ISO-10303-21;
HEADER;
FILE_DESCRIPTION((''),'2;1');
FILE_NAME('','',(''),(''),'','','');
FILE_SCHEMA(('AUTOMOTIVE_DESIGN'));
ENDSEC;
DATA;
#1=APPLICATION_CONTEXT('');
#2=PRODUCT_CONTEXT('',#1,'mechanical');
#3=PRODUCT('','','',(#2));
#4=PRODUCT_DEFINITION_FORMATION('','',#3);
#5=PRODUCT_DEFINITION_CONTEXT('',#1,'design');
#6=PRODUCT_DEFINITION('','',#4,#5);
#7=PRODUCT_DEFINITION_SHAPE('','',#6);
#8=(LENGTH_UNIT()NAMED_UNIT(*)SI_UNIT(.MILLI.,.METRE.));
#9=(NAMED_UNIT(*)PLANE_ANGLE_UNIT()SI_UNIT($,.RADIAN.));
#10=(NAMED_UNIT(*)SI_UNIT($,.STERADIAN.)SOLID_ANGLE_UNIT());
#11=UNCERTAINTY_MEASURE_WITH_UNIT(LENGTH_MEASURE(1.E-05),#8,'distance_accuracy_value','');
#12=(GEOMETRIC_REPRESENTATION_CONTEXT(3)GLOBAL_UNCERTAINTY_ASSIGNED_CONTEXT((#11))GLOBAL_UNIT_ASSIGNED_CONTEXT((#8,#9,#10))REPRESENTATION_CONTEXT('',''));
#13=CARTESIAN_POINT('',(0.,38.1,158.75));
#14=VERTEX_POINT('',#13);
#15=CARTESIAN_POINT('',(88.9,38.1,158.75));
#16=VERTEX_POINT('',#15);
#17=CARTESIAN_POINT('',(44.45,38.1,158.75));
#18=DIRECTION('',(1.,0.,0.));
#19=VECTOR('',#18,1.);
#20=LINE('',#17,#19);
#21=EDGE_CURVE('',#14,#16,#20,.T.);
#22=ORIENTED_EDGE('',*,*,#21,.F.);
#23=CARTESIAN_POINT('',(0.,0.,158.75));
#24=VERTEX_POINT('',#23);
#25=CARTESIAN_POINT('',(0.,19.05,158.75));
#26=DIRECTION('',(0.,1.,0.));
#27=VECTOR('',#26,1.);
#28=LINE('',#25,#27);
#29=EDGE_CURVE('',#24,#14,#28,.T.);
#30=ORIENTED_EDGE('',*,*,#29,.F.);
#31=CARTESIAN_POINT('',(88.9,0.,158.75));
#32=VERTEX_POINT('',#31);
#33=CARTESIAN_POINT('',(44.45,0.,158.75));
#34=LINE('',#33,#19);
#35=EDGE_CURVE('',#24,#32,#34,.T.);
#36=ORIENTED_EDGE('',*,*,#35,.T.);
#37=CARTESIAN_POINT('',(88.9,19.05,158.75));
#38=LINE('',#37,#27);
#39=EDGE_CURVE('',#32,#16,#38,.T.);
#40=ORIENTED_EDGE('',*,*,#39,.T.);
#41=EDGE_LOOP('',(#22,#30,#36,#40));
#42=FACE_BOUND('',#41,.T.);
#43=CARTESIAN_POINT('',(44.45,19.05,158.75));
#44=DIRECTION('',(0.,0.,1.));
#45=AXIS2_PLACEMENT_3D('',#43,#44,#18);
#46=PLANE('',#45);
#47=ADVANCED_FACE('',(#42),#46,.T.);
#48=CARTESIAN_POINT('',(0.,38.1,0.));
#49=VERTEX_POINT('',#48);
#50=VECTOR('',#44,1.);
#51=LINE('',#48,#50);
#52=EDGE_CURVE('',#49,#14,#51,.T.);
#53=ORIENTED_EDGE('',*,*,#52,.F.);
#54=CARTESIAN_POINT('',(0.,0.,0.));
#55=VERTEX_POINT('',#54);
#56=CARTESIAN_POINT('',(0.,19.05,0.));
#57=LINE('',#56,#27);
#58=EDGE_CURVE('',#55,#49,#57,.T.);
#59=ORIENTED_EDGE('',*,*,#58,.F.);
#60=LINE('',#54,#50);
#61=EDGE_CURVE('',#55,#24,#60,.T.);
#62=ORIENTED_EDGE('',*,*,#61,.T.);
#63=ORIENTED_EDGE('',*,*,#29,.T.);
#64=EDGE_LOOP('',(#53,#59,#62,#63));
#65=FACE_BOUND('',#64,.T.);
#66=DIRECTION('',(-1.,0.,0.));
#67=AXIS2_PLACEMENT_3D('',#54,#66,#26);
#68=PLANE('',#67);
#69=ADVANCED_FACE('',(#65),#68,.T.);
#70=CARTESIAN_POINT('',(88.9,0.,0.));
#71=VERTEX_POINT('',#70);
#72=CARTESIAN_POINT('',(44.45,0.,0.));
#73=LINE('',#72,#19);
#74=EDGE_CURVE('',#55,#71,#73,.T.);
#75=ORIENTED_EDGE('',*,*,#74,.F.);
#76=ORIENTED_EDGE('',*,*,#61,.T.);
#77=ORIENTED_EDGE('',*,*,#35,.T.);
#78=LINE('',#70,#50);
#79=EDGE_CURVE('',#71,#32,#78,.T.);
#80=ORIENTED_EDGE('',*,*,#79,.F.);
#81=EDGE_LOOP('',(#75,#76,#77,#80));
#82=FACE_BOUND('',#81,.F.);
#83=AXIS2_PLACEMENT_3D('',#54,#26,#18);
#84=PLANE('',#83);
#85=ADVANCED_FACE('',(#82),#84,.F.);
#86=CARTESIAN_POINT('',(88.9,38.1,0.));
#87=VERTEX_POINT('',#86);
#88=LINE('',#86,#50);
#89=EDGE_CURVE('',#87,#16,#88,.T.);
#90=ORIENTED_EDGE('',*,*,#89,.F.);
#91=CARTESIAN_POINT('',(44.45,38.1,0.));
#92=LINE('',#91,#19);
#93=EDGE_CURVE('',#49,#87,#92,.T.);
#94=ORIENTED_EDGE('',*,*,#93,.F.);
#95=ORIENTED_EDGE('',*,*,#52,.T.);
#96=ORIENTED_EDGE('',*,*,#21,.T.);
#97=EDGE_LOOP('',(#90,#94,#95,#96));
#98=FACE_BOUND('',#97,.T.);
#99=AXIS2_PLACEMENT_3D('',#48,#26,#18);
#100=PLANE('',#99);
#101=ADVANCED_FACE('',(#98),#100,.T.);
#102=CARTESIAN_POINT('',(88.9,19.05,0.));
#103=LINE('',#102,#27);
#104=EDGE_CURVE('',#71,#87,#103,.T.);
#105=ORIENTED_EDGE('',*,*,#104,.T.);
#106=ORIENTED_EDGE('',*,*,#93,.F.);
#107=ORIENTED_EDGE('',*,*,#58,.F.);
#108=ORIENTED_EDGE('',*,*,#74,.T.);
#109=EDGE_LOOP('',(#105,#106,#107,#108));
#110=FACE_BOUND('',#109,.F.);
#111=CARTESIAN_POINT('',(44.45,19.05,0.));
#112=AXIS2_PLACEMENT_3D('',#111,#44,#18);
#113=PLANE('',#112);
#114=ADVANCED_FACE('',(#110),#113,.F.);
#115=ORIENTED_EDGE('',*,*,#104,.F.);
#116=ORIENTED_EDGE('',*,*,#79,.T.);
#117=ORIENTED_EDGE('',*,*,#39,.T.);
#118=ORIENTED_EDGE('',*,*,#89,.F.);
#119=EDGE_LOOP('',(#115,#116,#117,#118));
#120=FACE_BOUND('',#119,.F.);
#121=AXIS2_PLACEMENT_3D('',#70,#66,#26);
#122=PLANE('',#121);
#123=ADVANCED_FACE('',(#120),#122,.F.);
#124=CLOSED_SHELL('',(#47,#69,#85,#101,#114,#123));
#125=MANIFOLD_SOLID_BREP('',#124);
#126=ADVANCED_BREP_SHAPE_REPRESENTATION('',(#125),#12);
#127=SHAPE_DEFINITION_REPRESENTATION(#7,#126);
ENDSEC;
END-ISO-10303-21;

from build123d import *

# Parameters (mm, degrees)
SKETCH_W      = 88.9
SKETCH_H      = 38.1
EXTRUDE_DEPTH = 158.75


with BuildPart() as part:
    # Sketch → Extrude (new body)
    with BuildSketch(Plane.XY):
        with Locations((44.45, 19.05)):
            Rectangle(SKETCH_W, SKETCH_H)
    extrude(amount=EXTRUDE_DEPTH)


solid = part.part
